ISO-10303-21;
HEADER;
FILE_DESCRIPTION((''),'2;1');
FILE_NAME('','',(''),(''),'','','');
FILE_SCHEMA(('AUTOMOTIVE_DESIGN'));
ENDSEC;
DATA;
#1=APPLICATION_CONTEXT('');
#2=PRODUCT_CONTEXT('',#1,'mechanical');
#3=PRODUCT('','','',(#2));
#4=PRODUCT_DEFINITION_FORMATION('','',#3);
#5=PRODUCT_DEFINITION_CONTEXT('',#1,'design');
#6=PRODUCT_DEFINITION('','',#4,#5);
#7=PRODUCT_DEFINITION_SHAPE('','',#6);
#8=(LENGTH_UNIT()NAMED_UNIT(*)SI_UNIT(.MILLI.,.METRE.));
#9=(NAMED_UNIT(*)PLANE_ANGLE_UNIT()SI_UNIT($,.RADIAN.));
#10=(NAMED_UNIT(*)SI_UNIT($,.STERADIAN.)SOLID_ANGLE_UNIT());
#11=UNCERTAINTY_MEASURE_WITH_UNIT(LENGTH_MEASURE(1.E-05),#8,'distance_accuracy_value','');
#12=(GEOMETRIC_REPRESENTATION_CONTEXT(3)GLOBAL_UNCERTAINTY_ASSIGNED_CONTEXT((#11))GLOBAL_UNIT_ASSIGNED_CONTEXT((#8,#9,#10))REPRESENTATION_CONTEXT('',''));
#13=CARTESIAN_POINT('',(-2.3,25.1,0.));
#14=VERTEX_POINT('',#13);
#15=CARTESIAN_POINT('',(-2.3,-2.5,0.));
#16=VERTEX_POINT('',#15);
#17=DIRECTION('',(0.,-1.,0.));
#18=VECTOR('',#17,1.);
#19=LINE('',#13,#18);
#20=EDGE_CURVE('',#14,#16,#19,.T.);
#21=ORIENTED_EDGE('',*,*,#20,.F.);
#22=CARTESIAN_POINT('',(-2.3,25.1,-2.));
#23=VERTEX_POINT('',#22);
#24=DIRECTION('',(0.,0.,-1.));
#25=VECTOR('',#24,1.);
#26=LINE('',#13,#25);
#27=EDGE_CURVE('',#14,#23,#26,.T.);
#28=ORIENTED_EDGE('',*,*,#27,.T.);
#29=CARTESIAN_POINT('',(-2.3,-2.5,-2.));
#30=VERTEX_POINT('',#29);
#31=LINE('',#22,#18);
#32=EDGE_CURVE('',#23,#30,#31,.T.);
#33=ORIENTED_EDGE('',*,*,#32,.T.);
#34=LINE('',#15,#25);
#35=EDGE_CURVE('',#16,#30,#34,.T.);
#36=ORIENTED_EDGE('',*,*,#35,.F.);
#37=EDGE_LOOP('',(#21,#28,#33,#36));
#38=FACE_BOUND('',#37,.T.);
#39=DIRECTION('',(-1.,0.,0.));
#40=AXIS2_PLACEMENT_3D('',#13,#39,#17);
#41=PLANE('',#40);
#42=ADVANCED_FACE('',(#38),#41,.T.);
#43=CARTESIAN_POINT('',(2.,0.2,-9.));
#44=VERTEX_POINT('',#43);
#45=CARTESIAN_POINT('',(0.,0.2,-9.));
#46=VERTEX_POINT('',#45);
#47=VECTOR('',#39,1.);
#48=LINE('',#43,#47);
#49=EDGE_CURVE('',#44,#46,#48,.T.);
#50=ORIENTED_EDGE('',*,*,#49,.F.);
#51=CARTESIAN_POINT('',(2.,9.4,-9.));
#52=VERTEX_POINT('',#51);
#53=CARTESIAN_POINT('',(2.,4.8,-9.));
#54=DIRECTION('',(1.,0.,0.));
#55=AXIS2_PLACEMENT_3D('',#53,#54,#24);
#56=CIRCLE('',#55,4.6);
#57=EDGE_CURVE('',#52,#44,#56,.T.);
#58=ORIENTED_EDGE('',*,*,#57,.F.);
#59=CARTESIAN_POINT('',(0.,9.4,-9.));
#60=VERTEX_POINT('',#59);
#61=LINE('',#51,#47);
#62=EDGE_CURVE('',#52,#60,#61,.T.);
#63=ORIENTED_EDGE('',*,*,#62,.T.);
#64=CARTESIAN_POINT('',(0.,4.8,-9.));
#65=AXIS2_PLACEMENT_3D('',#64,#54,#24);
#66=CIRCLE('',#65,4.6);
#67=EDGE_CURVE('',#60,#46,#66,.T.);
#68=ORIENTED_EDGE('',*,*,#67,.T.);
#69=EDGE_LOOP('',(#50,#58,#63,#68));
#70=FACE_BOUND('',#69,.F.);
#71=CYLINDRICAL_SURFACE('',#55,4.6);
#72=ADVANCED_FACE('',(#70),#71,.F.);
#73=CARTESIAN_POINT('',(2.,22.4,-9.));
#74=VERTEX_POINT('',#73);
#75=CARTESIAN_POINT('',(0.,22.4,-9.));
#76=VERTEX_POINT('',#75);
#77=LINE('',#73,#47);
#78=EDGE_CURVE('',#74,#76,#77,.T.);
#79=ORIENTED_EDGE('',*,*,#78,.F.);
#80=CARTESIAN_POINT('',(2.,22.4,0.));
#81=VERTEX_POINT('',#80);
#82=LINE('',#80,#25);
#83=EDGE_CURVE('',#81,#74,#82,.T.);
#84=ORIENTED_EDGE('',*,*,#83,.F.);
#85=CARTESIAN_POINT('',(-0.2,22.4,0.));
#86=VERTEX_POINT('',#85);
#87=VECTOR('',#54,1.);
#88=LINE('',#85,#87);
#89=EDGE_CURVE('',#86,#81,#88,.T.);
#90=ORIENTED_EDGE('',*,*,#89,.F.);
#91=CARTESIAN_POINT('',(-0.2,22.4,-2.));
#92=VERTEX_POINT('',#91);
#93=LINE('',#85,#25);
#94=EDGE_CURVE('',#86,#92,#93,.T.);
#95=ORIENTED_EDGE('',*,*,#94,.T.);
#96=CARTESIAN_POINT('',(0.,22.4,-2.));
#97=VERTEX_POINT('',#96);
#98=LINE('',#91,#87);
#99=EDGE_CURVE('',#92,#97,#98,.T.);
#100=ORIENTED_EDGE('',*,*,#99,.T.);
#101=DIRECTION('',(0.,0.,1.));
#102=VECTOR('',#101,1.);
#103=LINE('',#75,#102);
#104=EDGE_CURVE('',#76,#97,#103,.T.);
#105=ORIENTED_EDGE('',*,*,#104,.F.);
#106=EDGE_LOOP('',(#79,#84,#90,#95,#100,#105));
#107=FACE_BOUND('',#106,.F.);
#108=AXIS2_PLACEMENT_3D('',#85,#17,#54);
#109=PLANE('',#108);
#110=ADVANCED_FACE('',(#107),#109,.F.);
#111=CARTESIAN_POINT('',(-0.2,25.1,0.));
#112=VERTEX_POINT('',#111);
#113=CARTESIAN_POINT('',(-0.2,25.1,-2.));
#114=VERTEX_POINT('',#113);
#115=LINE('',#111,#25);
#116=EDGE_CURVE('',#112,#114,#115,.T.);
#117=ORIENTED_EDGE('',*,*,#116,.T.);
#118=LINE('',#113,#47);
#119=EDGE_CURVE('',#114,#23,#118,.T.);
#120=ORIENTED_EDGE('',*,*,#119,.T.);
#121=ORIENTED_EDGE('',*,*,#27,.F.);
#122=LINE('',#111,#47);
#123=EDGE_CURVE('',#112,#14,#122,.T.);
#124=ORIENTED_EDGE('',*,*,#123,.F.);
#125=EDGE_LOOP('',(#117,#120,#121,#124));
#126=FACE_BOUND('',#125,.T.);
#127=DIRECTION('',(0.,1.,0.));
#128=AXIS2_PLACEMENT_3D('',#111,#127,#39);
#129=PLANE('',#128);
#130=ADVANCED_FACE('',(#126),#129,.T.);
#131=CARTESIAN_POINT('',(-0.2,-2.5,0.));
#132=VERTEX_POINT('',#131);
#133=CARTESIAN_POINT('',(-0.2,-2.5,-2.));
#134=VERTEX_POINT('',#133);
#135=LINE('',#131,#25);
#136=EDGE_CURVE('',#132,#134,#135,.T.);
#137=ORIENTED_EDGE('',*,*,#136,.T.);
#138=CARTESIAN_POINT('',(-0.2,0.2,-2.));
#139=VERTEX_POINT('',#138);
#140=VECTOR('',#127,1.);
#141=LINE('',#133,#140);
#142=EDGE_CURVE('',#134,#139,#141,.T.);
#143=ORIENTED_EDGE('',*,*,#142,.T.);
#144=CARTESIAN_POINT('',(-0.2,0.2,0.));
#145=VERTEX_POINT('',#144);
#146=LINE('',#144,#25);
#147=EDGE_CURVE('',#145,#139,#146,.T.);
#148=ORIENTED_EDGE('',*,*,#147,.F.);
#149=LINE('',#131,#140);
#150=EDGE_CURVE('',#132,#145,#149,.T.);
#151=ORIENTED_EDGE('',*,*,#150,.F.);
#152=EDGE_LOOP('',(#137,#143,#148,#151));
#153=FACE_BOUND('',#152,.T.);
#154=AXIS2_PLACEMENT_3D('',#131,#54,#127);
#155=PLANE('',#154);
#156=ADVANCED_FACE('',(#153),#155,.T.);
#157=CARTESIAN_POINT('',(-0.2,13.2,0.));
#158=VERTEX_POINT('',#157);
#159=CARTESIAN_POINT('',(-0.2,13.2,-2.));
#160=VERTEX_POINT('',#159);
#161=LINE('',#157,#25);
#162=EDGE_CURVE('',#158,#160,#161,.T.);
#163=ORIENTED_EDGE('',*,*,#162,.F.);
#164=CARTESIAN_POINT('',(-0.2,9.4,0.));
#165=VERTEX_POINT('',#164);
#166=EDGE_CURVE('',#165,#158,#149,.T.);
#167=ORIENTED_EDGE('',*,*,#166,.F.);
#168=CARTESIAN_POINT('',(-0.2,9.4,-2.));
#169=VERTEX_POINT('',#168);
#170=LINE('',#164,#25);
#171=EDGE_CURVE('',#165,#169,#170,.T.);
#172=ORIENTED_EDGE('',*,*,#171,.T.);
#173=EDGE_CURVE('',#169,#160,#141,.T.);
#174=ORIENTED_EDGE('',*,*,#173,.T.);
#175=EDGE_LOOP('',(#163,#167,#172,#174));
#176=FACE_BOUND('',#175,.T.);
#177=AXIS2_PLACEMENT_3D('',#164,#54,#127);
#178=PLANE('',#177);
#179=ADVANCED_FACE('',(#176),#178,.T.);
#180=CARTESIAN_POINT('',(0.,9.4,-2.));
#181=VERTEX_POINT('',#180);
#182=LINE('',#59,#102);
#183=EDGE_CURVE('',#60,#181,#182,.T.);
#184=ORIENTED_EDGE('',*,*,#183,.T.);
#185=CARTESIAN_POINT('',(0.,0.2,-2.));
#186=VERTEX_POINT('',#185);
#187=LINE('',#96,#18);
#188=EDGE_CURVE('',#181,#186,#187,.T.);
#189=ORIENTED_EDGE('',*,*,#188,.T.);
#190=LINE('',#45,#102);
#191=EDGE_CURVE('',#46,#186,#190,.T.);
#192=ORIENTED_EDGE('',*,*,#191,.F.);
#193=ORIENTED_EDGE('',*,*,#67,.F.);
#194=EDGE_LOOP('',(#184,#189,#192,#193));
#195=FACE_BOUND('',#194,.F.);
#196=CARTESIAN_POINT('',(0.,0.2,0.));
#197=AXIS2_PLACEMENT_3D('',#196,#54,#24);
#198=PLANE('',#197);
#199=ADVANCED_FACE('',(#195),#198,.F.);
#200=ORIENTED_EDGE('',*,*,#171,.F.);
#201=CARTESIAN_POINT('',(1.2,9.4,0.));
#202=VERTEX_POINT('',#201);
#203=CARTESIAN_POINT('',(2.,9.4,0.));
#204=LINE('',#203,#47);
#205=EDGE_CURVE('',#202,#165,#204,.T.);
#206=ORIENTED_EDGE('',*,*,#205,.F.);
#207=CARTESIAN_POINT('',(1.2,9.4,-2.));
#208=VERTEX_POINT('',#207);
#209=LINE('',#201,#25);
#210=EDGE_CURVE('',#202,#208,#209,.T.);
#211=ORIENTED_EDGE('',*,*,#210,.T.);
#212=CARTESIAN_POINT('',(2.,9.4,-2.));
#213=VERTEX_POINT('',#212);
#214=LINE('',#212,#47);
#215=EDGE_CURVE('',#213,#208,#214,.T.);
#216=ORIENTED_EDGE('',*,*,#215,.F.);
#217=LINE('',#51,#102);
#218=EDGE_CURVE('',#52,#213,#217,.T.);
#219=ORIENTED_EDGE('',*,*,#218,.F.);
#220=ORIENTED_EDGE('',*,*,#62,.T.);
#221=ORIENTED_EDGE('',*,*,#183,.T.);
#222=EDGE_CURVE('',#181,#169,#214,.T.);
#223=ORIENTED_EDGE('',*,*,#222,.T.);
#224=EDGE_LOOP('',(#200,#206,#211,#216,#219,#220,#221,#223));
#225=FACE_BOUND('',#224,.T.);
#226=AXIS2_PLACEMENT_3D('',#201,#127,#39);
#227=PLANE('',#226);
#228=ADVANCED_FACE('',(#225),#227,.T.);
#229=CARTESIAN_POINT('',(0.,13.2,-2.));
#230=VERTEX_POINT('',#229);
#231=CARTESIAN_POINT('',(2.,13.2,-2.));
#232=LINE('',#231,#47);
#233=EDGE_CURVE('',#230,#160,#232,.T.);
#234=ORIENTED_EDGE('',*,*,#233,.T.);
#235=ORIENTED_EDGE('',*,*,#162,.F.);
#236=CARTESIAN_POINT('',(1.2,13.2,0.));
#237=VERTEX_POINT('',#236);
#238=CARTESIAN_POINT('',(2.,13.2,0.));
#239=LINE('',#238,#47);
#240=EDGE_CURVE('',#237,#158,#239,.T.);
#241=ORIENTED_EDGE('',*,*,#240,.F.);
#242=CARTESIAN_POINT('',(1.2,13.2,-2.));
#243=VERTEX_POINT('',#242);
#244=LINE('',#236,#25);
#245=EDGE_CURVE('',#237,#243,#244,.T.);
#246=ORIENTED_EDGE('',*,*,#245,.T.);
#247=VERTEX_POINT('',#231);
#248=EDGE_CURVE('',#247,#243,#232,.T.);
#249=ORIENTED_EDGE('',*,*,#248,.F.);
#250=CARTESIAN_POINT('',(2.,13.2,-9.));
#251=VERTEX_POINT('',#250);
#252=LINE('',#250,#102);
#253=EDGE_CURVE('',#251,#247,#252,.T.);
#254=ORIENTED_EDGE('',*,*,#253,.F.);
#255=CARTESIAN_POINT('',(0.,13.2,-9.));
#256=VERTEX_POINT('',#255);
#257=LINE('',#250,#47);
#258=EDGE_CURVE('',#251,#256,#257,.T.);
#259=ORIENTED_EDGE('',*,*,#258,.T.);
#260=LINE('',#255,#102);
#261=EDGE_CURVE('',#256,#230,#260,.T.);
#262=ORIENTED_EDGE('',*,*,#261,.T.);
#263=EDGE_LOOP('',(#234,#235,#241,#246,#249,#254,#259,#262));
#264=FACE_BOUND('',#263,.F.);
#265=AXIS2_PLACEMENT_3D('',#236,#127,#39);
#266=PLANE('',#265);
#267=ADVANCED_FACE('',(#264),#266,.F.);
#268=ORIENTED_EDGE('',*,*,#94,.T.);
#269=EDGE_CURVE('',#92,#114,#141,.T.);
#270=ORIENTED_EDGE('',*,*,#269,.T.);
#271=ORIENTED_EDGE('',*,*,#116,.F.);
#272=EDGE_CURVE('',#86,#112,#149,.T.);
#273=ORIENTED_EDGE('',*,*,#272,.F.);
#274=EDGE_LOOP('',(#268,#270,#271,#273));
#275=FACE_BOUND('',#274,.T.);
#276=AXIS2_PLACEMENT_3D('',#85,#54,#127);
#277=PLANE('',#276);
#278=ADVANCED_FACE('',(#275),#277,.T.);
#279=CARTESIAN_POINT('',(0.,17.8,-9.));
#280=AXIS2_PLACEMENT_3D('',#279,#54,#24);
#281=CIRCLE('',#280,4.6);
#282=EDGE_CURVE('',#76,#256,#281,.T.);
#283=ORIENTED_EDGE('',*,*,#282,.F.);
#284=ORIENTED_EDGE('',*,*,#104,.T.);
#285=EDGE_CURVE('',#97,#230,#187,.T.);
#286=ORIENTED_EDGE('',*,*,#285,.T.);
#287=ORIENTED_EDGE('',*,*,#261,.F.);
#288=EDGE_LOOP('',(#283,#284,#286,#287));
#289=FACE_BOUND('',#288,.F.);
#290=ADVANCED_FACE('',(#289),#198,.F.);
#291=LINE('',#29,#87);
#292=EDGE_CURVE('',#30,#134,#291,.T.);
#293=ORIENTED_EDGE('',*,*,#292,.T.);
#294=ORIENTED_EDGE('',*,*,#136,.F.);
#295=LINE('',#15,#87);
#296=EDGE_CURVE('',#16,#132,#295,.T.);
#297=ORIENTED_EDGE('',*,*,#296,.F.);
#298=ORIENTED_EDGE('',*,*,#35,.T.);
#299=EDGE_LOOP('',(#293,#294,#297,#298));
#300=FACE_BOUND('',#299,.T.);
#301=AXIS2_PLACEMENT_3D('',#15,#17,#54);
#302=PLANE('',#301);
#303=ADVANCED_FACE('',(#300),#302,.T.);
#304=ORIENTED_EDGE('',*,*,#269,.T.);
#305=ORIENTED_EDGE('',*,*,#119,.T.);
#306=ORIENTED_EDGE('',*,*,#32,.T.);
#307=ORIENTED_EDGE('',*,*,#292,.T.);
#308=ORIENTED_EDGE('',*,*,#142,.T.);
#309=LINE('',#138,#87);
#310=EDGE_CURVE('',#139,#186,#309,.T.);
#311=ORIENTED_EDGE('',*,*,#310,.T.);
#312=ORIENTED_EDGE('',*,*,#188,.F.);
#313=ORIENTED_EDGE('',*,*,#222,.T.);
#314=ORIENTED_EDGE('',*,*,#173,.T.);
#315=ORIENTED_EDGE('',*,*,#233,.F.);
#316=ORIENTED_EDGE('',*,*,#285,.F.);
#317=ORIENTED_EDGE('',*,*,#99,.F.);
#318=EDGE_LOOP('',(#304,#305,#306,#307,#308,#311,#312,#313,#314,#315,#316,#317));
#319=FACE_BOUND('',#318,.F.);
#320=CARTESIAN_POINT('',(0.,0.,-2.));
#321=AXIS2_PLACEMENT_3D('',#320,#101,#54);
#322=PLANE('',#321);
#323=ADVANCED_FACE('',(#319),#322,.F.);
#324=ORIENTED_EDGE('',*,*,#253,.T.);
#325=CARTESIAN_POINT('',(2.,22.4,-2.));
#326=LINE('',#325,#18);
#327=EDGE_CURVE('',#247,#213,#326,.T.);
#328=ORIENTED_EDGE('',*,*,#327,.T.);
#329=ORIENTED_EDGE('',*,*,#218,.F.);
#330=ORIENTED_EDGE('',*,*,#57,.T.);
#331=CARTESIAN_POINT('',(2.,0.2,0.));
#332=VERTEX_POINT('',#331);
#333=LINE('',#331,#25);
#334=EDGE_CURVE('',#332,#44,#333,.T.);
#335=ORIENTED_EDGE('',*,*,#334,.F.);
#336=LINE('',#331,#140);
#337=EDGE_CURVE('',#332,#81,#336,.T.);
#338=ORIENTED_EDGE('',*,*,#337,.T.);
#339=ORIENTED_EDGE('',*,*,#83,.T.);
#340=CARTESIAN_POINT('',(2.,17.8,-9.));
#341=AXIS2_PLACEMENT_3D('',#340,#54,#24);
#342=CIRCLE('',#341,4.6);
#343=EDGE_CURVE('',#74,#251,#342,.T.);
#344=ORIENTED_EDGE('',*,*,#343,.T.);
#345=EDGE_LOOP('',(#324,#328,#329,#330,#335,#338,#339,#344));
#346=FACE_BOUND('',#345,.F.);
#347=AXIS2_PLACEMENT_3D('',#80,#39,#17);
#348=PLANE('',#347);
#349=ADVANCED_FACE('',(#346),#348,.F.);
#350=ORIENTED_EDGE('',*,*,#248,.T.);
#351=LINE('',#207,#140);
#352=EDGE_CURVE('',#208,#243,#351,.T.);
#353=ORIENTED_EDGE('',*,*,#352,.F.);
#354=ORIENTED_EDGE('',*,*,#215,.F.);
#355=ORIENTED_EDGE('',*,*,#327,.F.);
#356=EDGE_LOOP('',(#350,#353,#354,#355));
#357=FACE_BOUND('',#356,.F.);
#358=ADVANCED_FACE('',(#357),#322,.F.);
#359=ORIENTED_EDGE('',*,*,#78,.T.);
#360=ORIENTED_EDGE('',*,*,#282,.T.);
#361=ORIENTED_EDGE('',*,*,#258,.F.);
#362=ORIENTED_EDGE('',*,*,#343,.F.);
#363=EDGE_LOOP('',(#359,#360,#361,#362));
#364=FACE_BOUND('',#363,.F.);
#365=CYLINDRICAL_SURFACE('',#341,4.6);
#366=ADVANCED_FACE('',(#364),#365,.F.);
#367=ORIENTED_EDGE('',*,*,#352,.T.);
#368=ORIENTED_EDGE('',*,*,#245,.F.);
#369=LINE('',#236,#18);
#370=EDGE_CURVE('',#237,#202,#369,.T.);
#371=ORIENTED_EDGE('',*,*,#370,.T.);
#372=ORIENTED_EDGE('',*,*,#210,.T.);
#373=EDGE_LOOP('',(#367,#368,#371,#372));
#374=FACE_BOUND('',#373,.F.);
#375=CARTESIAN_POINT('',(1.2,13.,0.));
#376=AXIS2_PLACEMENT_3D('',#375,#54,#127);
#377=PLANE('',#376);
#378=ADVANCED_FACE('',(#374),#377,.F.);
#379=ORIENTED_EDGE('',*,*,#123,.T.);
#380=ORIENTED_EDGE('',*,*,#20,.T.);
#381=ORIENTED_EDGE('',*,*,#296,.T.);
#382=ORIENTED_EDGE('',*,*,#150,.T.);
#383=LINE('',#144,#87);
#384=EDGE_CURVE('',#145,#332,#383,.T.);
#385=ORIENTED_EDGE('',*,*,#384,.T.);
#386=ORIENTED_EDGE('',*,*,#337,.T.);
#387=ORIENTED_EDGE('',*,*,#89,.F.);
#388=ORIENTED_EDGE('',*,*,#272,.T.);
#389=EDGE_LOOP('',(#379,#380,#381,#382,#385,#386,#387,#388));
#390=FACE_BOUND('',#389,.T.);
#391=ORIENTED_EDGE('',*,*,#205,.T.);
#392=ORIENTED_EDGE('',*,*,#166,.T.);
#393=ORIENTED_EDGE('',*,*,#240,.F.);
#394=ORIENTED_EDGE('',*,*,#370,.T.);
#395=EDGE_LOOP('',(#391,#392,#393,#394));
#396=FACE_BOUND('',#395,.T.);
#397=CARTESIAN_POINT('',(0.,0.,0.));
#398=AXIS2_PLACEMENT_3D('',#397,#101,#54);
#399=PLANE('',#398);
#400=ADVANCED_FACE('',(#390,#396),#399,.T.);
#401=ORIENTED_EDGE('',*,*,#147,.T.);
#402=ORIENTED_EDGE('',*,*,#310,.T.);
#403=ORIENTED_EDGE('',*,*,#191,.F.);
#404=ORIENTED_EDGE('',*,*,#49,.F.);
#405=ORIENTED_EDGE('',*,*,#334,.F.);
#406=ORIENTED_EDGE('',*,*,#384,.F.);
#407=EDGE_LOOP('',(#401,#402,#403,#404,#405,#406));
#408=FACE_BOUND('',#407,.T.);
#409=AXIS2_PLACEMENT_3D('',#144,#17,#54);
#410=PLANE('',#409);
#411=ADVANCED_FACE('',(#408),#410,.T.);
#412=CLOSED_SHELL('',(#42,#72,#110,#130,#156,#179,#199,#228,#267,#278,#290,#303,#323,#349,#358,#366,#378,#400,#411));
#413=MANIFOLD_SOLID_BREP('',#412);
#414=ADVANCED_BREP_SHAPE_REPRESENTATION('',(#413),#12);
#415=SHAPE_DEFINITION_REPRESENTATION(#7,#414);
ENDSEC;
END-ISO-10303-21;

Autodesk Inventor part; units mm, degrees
ref_plane "YZ Plane" through (0, 0, 0) normal (1, 0, 0) x (0, 1, 0)
ref_plane "XZ Plane" through (0, 0, 0) normal (0, 1, 0) x (-1, 0, 0)
ref_plane "XY Plane" through (0, 0, 0) normal (0, 0, 1) x (1, 0, 0)
sketch "Sketch1" plane through (0, 0, 0) normal (0, 0, 1) x (1, 0, 0)
  line L0 (0, 0) -> (0, -2.7) projected
  line L1 (0, -2.7) -> (-2.5, -2.7) projected
  line L2 (-2.5, -2.7) -> (-2.5, 25.3) projected
  line L3 (0, 25.3) -> (-2.5, 25.3) projected
  line L4 (0, 25.3) -> (0, 22.6) projected
  line L5 (0, 22.6) -> (2, 22.6) projected
  line L6 (2, 27.3) -> (2, 22.6) projected
  line L7 (-4.5, 27.3) -> (2, 27.3) projected
  line L8 (-4.5, -4.7) -> (-4.5, 27.3) projected
  line L9 (-4.5, -4.7) -> (2, -4.7) projected
  line L10 (2, 0) -> (2, -4.7) projected
  line L11 (0, 0) -> (2, 0) projected
  line L12 (-0.2, 25.1) -> (-2.3, 25.1)
  line L13 (-2.3, 25.1) -> (-2.3, -2.5)
  line L14 (-2.3, -2.5) -> (-0.2, -2.5)
  line L15 (-0.2, -2.5) -> (-0.2, 25.1)
  line L16 (0, 22.6) -> (0, 22.4) construction
  line L17 (1, 13) -> (2, 13) projected
  line L18 (1, 9.6) -> (1, 13) projected
  line L19 (2, 9.6) -> (1, 9.6) projected
  line L20 (2, 13) -> (2, 9.6) projected
  line L21 (1, 11.3) -> (1.2, 11.3) construction
  line L22 (2, 13) -> (1.2, 13)
  line L23 (1.2, 13) -> (1.2, 9.6)
  line L24 (1.2, 9.6) -> (2, 9.6)
  line L25 (2, 9.6) -> (2, 13)
  line L26 (1.2, 13) -> (1.2, 13.2)
  line L27 (2, 13.2) -> (-0.2, 13.2)
  line L28 (-0.2, 13.2) -> (-0.2, 22.4)
  line L29 (-0.2, 22.4) -> (2, 22.4)
  line L30 (2, 22.4) -> (2, 13.2)
  line L31 (2, 13.2) -> (2, 13)
  line L32 (2, 9.6) -> (1.2, 9.6)
  line L33 (1.2, 9.6) -> (1.2, 9.4)
  line L34 (1.2, 9.4) -> (2, 9.4)
  line L35 (2, 9.4) -> (2, 9.6)
  line L36 (2, 9.4) -> (-0.2, 9.4)
  line L37 (-0.2, 9.4) -> (-0.2, 0.2)
  line L38 (-0.2, 0.2) -> (2, 0.2)
  line L39 (2, 0.2) -> (2, 9.4)
  point P0 (-1.25, 11.3)
  point P1 (-1.25, 11.3)
  dimension "d0" = 2.1
  dimension "d1" = 27.6
  dimension "d2" = 0.2
  dimension "d3" = 0.2
  dimension "d4" = 0.2
  dimension "d5" = 0.2
  dimension "d6" = 9.2
extrude "Extrusion1" add sketch "Sketch1" against normal blind 2 contours L15 L14 L13 L12 | L29 L30 L27 L15 | L36 L34 L39 L38 L15 | L27 L31 L17 L26 | L33 L19 L35 L34 | L17 L20 L19 L23
sketch "Sketch2" plane through (2, 0.2, 0) normal (1, 0, 0) x (0, 0, -1)
  arc A0 (9, -0.2) -> (9, 9.4) centre (9, 4.6) ccw projected
  arc A1 (9, 12.8) -> (9, 22.4) centre (9, 17.6) ccw projected
  circle A2 centre (9, 4.6) radius 4.6
  circle A3 centre (9, 17.6) radius 4.6
  line L0 (2, 22.2) -> (2, 0) projected
  line L1 (9, 0) -> (2, 0)
  line L2 (9, 9.2) -> (2, 9.2)
  line L3 (2, 0) -> (2, 9.2)
  line L4 (9, 13) -> (2, 13)
  line L5 (2, 13) -> (2, 22.2)
  line L6 (0, 22.2) -> (2, 22.2) projected
  line L7 (9, 22.2) -> (2, 22.2)
  point P0 (0, -0.2)
  dimension "d12" = 9.2
  dimension "d13" = 9.2
extrude "Extrusion3" add sketch "Sketch2" against normal blind 2 contours L0 L7 A3 L4 | A2 L1 L0 L2
properties part number "prototype7_2_3DPrint"
